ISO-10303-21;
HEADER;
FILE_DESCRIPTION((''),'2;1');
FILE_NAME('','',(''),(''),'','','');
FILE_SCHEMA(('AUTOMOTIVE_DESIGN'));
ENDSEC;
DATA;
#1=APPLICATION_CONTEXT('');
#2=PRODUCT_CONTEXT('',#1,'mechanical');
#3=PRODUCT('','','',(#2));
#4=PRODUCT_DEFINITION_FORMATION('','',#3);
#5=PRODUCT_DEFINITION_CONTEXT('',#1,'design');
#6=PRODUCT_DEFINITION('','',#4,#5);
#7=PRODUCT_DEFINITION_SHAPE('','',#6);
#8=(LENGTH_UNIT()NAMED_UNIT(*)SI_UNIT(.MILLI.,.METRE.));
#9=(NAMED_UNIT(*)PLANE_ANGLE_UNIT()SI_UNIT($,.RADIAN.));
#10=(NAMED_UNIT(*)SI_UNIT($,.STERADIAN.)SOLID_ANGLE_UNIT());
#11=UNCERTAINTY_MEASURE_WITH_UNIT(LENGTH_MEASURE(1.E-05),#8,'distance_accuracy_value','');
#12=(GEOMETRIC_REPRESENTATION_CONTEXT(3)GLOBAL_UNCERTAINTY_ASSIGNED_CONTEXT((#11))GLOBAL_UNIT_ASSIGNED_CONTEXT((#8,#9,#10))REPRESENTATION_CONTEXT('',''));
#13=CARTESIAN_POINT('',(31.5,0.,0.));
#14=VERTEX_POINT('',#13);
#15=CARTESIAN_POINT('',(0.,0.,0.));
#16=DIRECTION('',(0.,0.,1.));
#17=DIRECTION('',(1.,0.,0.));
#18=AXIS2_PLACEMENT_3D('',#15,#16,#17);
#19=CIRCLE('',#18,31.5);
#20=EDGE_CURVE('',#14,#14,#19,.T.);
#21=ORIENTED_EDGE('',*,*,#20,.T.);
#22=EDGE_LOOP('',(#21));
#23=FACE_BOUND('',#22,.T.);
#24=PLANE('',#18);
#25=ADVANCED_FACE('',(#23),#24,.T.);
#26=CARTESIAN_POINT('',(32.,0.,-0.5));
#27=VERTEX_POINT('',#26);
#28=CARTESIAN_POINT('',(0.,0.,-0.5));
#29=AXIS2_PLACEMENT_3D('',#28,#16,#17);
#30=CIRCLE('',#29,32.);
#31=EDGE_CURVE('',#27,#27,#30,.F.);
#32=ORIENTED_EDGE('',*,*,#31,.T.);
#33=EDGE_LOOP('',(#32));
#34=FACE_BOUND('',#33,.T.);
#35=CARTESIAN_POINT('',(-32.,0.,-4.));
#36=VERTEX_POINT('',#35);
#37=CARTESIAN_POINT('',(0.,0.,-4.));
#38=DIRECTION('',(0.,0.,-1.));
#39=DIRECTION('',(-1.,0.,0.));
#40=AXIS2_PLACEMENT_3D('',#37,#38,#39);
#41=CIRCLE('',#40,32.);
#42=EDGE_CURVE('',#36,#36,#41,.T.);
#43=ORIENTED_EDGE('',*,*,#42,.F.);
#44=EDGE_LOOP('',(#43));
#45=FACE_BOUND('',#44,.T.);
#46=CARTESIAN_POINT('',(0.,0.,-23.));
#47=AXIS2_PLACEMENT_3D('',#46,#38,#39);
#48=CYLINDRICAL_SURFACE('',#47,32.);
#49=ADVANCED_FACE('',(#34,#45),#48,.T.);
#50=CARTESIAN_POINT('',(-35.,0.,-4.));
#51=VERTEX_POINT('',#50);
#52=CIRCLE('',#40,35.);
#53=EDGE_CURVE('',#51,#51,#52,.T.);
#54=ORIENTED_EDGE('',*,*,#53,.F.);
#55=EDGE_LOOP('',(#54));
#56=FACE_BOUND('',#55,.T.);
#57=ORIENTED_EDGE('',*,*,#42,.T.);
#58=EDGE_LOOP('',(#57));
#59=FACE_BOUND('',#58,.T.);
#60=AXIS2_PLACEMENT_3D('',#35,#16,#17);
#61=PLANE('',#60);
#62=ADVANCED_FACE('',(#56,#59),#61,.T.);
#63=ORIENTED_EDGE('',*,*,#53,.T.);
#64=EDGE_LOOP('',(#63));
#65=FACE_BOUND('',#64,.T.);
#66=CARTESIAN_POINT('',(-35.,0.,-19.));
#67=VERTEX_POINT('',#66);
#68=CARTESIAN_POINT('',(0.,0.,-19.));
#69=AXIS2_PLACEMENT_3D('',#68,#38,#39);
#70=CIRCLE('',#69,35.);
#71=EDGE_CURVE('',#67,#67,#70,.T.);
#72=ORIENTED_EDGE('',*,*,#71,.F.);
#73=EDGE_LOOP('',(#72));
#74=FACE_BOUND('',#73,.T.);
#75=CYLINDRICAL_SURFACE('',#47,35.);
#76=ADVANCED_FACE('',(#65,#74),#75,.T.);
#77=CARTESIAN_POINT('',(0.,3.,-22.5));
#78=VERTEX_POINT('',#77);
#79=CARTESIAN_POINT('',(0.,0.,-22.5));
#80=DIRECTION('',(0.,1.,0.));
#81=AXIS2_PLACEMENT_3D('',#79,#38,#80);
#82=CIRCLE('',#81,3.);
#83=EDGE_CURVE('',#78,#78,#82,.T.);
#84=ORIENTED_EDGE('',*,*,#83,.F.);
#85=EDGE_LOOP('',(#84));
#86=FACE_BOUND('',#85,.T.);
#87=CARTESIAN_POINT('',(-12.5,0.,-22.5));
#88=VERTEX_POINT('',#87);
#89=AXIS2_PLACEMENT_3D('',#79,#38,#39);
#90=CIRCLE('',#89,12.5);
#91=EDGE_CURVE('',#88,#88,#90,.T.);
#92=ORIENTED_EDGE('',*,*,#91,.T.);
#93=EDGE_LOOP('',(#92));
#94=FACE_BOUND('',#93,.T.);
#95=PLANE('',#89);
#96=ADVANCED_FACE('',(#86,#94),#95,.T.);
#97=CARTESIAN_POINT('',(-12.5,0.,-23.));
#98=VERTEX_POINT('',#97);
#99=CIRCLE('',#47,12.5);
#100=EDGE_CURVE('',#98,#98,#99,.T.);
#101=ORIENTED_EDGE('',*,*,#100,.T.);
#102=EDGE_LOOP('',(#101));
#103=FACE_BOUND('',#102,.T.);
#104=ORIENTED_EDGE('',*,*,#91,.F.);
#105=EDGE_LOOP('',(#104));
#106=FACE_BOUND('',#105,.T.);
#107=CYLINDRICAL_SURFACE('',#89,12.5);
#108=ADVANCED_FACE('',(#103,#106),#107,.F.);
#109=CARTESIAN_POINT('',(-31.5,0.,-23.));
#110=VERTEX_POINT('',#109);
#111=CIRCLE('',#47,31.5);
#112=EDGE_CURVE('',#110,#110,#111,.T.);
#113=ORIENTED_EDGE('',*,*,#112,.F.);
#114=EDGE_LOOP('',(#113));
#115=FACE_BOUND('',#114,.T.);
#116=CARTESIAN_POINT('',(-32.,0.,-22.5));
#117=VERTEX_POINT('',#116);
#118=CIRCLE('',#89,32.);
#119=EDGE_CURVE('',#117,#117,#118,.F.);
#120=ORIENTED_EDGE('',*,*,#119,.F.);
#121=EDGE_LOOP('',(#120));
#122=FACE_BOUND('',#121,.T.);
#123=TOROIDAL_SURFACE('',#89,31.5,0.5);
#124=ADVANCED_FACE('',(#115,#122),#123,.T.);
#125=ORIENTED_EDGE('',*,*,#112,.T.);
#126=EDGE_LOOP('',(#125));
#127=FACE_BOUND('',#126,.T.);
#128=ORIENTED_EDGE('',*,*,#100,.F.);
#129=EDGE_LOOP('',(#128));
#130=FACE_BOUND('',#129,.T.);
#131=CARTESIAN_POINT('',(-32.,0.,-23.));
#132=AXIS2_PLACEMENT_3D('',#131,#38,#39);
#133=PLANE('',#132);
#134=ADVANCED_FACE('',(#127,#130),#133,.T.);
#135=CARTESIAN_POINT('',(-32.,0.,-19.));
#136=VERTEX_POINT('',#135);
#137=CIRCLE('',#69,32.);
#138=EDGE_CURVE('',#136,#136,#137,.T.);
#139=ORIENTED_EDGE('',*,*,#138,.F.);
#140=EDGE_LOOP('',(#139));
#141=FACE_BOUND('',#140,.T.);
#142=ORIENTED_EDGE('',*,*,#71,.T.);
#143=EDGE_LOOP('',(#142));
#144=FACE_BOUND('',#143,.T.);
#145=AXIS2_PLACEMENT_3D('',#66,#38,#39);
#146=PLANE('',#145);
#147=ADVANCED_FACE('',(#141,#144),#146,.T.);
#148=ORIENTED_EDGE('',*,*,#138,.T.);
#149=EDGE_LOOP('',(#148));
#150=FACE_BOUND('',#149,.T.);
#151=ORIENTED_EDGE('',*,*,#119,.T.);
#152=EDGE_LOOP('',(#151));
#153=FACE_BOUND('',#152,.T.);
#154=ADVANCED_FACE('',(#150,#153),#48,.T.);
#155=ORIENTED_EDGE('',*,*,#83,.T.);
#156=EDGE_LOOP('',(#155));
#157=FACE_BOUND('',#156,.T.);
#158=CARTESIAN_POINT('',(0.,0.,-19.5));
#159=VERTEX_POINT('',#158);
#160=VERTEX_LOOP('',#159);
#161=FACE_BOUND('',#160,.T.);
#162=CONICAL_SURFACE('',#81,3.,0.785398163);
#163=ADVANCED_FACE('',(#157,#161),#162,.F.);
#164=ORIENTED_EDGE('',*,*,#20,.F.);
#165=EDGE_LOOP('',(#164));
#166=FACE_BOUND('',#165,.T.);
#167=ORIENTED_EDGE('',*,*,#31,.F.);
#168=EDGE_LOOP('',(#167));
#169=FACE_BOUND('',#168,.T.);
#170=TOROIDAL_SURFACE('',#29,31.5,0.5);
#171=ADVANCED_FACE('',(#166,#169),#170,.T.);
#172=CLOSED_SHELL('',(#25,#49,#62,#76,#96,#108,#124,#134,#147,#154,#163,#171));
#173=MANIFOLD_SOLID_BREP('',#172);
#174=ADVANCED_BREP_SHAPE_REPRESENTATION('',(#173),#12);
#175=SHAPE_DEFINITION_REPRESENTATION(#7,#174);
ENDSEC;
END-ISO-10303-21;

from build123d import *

# Parameters (mm, degrees)
FILLET_1_R          = 0.5
SKETCH_2_R          = 12.5
CUT_EXTRUDE_1_DEPTH = 0.5


with BuildPart() as part:
    # Эскиз1 → Повернуть1 (revolve)
    with BuildSketch(Plane(origin=(0, 0, 0), x_dir=(1, 0, 0), z_dir=(0, 1, 0))):
        Polygon((0, 0), (-32, 0), (-32, 4), (-35, 4), (-35, 19), (-32, 19), (-32, 23), (0, 23), align=None)
    revolve(axis=Axis((0, 0, -23), (0, 0, 1)))

    # Скругление1
    fillet_1_edges = [part.edges().sort_by_distance(p)[0] for p in [
        (32, 0, -23),
        (32, 0, 0),
    ]]
    fillet(fillet_1_edges, radius=FILLET_1_R)

    # Эскиз2 → Вырез-Вытянуть1 (cut)
    with BuildSketch(Plane(origin=(0, 0, -23), x_dir=(-1, 0, 0), z_dir=(0, 0, -1))):
        Circle(SKETCH_2_R)
    extrude(amount=-CUT_EXTRUDE_1_DEPTH, mode=Mode.SUBTRACT)

    # Эскиз3 → Вырез-Повернуть1 (revolve, cut)
    with BuildSketch(Plane(origin=(0, 0, 0), x_dir=(0, 0, -1), z_dir=(1, 0, 0)), mode=Mode.PRIVATE) as cut_revolve_1_sk:
        Polygon((22.5, 0), (19.5, 0), (22.5, 3), align=None)
    revolve(cut_revolve_1_sk.sketch.rotate(Axis((0, 0, -22.5), (0, 0, 1)), 270), axis=Axis((0, 0, -22.5), (0, 0, 1)), mode=Mode.SUBTRACT)


solid = part.part
